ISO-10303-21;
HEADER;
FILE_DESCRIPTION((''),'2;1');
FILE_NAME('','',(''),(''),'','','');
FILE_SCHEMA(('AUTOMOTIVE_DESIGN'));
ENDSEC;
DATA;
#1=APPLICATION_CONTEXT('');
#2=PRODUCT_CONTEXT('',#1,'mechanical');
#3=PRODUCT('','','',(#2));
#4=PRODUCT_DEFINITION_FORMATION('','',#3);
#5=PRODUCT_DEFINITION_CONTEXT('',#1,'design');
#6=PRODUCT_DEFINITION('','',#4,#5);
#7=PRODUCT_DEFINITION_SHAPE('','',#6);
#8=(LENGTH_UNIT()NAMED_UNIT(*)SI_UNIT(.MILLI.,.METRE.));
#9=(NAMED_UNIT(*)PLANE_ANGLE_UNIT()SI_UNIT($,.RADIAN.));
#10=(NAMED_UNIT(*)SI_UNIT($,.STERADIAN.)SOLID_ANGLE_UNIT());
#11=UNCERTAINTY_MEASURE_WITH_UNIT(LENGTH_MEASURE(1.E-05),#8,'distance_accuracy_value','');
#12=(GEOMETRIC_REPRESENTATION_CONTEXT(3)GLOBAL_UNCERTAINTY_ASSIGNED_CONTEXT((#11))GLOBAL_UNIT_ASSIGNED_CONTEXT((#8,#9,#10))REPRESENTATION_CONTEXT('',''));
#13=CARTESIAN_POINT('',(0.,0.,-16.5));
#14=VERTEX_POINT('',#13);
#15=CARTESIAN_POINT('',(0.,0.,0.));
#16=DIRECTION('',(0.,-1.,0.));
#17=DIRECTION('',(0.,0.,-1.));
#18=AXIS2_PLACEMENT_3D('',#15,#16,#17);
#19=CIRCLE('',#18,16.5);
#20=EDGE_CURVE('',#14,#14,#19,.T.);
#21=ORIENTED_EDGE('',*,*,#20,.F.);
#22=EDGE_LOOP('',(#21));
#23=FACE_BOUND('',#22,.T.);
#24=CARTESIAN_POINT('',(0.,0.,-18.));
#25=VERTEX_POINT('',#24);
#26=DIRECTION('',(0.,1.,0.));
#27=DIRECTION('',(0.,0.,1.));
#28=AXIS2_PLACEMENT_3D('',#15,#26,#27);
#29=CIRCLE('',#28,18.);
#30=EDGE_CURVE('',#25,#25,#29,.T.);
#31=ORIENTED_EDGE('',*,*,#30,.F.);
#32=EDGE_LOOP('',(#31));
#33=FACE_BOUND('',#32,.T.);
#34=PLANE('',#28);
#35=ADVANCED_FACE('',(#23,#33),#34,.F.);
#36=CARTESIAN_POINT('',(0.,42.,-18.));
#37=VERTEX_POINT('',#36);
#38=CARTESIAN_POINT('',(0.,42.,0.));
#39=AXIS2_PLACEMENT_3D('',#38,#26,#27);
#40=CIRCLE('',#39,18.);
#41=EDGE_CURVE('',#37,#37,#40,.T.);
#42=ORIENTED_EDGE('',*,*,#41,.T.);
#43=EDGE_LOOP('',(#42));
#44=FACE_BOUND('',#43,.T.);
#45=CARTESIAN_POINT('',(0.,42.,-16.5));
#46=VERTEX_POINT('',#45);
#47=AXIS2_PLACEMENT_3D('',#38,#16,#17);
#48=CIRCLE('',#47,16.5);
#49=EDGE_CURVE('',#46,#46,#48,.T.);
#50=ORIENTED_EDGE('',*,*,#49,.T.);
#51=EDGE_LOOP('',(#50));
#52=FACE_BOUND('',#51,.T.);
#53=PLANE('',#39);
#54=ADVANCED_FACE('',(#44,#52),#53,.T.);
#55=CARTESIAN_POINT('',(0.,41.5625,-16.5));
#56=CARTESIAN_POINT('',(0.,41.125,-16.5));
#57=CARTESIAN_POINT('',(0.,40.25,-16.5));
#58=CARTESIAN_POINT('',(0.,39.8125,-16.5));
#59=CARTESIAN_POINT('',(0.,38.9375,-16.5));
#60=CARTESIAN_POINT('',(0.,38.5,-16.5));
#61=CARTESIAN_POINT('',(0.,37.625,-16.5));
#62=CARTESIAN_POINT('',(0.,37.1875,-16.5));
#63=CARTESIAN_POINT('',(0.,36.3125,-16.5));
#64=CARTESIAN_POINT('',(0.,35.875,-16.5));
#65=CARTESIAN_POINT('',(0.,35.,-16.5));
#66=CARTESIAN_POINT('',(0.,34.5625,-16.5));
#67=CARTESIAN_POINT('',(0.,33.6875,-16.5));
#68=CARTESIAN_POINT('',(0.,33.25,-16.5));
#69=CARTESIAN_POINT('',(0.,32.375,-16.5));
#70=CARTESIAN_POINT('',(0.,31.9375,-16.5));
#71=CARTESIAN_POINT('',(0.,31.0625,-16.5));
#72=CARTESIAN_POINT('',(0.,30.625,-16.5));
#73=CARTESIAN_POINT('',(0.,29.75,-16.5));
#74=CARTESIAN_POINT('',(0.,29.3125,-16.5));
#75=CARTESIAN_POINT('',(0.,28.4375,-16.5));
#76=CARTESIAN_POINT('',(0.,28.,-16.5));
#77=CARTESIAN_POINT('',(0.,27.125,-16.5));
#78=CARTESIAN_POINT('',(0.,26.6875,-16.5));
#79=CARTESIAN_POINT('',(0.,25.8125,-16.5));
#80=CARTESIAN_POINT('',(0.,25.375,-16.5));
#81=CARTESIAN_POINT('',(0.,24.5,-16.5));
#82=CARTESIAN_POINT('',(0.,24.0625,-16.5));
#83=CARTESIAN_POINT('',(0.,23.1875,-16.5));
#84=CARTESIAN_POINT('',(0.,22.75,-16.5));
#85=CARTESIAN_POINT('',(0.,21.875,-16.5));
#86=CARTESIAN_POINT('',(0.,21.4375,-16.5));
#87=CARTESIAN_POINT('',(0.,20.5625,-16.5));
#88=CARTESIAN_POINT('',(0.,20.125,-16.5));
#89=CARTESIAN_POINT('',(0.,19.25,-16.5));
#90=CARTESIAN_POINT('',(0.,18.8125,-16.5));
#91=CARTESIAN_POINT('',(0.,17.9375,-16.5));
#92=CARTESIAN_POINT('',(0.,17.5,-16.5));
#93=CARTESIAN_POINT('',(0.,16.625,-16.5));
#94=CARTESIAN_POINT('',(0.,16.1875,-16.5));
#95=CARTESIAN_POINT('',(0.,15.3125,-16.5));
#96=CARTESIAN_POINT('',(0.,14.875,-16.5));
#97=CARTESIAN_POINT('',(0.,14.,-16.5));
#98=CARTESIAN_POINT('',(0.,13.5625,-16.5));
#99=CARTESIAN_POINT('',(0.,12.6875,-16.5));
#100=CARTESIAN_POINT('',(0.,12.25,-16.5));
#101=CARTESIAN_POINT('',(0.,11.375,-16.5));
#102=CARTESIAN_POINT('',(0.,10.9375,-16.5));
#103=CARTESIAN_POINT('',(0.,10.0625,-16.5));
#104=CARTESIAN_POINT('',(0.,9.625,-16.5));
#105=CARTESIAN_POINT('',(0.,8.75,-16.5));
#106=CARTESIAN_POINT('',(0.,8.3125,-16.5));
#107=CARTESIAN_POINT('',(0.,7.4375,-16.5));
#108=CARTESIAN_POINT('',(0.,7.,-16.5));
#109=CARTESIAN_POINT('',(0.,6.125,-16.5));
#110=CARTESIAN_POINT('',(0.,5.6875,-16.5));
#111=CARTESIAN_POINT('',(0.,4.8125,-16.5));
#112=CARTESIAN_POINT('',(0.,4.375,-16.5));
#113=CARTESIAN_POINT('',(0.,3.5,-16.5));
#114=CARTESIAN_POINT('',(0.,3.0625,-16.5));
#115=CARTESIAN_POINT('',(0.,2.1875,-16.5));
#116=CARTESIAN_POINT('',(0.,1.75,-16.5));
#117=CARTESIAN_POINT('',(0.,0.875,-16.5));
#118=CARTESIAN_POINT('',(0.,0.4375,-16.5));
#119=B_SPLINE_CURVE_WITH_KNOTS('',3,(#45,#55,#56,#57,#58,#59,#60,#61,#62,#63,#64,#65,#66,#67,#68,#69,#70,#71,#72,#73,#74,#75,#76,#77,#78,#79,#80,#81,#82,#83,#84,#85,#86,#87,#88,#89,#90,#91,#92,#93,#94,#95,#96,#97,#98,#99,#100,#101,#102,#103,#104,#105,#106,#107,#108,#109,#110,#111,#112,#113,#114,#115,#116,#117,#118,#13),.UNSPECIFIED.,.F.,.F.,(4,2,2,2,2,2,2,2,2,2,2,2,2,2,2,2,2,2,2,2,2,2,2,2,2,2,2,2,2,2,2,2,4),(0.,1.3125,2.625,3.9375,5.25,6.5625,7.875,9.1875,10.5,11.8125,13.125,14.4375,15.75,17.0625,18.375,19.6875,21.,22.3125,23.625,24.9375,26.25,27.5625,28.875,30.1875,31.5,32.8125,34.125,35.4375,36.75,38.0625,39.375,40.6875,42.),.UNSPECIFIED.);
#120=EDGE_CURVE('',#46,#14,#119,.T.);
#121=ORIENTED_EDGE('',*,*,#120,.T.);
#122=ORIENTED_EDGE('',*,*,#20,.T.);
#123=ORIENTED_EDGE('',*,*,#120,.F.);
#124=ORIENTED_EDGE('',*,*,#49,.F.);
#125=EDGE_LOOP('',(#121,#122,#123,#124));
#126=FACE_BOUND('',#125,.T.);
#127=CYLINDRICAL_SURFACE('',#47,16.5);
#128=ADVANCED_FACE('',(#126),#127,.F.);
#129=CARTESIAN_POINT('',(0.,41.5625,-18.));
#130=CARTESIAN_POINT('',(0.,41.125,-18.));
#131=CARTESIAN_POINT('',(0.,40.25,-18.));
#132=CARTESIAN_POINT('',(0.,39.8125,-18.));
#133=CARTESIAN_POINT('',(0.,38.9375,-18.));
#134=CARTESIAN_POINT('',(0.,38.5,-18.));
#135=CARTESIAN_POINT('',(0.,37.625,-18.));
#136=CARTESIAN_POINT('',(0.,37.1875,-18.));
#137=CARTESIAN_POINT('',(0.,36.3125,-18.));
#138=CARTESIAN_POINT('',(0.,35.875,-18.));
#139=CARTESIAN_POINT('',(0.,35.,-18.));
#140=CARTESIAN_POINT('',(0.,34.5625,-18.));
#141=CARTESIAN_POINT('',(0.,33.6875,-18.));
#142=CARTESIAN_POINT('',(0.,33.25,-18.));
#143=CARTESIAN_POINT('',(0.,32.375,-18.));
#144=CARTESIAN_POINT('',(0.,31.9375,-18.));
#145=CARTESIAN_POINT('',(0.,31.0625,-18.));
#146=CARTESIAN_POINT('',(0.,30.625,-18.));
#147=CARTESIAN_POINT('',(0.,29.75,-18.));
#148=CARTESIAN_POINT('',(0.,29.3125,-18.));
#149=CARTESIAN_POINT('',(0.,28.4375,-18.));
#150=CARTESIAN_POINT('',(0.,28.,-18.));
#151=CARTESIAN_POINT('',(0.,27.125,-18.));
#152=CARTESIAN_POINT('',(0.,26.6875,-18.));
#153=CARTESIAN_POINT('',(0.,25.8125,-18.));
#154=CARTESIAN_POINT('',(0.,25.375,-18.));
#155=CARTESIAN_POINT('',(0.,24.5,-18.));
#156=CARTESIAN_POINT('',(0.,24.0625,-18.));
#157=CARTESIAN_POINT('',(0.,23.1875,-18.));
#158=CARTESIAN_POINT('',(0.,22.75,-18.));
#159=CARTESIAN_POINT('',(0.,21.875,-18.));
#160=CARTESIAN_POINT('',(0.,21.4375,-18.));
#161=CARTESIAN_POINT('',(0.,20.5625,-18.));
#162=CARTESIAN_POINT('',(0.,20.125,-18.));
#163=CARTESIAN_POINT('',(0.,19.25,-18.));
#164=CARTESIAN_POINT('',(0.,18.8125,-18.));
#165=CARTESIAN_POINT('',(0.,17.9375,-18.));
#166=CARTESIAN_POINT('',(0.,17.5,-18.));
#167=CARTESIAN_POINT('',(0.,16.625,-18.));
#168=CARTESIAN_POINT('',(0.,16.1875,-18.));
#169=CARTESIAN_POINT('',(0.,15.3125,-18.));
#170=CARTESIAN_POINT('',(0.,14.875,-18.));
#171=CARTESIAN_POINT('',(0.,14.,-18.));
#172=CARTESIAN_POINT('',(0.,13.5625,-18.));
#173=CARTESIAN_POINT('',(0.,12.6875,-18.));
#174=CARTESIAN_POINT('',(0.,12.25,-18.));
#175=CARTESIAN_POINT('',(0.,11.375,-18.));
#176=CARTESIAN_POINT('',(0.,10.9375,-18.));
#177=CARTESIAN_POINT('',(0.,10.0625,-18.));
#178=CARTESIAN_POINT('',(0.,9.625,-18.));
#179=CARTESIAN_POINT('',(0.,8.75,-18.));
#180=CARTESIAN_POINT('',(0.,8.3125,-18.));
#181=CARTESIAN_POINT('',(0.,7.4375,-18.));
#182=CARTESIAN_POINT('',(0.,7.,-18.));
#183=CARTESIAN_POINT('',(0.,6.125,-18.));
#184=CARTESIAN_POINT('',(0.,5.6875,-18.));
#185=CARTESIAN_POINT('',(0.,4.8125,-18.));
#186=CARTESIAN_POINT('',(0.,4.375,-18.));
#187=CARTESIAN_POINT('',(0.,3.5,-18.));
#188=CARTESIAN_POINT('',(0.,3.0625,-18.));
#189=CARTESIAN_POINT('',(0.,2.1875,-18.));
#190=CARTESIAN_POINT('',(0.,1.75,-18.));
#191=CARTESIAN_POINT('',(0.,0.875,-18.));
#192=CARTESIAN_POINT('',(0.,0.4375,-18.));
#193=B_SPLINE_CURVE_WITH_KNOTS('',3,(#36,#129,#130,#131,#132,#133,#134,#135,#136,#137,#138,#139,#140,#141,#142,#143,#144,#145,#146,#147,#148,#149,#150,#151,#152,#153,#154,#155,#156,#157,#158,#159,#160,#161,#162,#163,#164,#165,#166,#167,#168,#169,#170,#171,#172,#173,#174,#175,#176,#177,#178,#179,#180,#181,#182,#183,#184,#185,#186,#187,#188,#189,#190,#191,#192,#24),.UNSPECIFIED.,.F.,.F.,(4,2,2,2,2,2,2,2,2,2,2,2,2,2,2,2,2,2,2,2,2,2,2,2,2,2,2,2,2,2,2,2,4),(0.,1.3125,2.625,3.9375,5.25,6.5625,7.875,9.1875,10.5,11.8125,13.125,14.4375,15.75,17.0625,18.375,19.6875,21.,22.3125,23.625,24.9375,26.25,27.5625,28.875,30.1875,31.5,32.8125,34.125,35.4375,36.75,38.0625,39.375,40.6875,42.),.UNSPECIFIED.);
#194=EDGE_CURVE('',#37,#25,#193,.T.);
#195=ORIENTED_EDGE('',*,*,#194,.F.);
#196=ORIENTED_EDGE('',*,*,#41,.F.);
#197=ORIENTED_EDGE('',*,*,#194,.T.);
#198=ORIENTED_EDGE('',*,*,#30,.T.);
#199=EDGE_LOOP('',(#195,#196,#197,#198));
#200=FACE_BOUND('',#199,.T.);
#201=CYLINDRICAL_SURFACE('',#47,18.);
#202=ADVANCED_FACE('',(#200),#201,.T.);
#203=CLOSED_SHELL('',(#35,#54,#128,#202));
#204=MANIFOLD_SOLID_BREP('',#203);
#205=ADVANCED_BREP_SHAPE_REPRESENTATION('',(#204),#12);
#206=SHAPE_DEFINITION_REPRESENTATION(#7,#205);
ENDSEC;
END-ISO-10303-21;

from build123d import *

# Parameters (mm, degrees)
SKETCH1_R           = 18
BOSS_EXTRUDE1_DEPTH = 42
SKETCH4_R           = 16.5
CUT_EXTRUDE2_DEPTH  = 42


with BuildPart() as part:
    # Sketch1 → Boss-Extrude1 (new body)
    with BuildSketch(Plane(origin=(0, 0, 0), x_dir=(1, 0, 0), z_dir=(0, 1, 0))):
        with Locations(Location((0, 0, 0), (0, 0, 90))):
            Circle(SKETCH1_R)
    extrude(amount=BOSS_EXTRUDE1_DEPTH)

    # Sketch4 → Cut-Extrude2 (cut)
    with BuildSketch(Plane.XZ):
        with Locations(Location((0, 0, 0), (0, 0, 270))):
            Circle(SKETCH4_R)
    extrude(amount=-CUT_EXTRUDE2_DEPTH, mode=Mode.SUBTRACT)


solid = part.part
